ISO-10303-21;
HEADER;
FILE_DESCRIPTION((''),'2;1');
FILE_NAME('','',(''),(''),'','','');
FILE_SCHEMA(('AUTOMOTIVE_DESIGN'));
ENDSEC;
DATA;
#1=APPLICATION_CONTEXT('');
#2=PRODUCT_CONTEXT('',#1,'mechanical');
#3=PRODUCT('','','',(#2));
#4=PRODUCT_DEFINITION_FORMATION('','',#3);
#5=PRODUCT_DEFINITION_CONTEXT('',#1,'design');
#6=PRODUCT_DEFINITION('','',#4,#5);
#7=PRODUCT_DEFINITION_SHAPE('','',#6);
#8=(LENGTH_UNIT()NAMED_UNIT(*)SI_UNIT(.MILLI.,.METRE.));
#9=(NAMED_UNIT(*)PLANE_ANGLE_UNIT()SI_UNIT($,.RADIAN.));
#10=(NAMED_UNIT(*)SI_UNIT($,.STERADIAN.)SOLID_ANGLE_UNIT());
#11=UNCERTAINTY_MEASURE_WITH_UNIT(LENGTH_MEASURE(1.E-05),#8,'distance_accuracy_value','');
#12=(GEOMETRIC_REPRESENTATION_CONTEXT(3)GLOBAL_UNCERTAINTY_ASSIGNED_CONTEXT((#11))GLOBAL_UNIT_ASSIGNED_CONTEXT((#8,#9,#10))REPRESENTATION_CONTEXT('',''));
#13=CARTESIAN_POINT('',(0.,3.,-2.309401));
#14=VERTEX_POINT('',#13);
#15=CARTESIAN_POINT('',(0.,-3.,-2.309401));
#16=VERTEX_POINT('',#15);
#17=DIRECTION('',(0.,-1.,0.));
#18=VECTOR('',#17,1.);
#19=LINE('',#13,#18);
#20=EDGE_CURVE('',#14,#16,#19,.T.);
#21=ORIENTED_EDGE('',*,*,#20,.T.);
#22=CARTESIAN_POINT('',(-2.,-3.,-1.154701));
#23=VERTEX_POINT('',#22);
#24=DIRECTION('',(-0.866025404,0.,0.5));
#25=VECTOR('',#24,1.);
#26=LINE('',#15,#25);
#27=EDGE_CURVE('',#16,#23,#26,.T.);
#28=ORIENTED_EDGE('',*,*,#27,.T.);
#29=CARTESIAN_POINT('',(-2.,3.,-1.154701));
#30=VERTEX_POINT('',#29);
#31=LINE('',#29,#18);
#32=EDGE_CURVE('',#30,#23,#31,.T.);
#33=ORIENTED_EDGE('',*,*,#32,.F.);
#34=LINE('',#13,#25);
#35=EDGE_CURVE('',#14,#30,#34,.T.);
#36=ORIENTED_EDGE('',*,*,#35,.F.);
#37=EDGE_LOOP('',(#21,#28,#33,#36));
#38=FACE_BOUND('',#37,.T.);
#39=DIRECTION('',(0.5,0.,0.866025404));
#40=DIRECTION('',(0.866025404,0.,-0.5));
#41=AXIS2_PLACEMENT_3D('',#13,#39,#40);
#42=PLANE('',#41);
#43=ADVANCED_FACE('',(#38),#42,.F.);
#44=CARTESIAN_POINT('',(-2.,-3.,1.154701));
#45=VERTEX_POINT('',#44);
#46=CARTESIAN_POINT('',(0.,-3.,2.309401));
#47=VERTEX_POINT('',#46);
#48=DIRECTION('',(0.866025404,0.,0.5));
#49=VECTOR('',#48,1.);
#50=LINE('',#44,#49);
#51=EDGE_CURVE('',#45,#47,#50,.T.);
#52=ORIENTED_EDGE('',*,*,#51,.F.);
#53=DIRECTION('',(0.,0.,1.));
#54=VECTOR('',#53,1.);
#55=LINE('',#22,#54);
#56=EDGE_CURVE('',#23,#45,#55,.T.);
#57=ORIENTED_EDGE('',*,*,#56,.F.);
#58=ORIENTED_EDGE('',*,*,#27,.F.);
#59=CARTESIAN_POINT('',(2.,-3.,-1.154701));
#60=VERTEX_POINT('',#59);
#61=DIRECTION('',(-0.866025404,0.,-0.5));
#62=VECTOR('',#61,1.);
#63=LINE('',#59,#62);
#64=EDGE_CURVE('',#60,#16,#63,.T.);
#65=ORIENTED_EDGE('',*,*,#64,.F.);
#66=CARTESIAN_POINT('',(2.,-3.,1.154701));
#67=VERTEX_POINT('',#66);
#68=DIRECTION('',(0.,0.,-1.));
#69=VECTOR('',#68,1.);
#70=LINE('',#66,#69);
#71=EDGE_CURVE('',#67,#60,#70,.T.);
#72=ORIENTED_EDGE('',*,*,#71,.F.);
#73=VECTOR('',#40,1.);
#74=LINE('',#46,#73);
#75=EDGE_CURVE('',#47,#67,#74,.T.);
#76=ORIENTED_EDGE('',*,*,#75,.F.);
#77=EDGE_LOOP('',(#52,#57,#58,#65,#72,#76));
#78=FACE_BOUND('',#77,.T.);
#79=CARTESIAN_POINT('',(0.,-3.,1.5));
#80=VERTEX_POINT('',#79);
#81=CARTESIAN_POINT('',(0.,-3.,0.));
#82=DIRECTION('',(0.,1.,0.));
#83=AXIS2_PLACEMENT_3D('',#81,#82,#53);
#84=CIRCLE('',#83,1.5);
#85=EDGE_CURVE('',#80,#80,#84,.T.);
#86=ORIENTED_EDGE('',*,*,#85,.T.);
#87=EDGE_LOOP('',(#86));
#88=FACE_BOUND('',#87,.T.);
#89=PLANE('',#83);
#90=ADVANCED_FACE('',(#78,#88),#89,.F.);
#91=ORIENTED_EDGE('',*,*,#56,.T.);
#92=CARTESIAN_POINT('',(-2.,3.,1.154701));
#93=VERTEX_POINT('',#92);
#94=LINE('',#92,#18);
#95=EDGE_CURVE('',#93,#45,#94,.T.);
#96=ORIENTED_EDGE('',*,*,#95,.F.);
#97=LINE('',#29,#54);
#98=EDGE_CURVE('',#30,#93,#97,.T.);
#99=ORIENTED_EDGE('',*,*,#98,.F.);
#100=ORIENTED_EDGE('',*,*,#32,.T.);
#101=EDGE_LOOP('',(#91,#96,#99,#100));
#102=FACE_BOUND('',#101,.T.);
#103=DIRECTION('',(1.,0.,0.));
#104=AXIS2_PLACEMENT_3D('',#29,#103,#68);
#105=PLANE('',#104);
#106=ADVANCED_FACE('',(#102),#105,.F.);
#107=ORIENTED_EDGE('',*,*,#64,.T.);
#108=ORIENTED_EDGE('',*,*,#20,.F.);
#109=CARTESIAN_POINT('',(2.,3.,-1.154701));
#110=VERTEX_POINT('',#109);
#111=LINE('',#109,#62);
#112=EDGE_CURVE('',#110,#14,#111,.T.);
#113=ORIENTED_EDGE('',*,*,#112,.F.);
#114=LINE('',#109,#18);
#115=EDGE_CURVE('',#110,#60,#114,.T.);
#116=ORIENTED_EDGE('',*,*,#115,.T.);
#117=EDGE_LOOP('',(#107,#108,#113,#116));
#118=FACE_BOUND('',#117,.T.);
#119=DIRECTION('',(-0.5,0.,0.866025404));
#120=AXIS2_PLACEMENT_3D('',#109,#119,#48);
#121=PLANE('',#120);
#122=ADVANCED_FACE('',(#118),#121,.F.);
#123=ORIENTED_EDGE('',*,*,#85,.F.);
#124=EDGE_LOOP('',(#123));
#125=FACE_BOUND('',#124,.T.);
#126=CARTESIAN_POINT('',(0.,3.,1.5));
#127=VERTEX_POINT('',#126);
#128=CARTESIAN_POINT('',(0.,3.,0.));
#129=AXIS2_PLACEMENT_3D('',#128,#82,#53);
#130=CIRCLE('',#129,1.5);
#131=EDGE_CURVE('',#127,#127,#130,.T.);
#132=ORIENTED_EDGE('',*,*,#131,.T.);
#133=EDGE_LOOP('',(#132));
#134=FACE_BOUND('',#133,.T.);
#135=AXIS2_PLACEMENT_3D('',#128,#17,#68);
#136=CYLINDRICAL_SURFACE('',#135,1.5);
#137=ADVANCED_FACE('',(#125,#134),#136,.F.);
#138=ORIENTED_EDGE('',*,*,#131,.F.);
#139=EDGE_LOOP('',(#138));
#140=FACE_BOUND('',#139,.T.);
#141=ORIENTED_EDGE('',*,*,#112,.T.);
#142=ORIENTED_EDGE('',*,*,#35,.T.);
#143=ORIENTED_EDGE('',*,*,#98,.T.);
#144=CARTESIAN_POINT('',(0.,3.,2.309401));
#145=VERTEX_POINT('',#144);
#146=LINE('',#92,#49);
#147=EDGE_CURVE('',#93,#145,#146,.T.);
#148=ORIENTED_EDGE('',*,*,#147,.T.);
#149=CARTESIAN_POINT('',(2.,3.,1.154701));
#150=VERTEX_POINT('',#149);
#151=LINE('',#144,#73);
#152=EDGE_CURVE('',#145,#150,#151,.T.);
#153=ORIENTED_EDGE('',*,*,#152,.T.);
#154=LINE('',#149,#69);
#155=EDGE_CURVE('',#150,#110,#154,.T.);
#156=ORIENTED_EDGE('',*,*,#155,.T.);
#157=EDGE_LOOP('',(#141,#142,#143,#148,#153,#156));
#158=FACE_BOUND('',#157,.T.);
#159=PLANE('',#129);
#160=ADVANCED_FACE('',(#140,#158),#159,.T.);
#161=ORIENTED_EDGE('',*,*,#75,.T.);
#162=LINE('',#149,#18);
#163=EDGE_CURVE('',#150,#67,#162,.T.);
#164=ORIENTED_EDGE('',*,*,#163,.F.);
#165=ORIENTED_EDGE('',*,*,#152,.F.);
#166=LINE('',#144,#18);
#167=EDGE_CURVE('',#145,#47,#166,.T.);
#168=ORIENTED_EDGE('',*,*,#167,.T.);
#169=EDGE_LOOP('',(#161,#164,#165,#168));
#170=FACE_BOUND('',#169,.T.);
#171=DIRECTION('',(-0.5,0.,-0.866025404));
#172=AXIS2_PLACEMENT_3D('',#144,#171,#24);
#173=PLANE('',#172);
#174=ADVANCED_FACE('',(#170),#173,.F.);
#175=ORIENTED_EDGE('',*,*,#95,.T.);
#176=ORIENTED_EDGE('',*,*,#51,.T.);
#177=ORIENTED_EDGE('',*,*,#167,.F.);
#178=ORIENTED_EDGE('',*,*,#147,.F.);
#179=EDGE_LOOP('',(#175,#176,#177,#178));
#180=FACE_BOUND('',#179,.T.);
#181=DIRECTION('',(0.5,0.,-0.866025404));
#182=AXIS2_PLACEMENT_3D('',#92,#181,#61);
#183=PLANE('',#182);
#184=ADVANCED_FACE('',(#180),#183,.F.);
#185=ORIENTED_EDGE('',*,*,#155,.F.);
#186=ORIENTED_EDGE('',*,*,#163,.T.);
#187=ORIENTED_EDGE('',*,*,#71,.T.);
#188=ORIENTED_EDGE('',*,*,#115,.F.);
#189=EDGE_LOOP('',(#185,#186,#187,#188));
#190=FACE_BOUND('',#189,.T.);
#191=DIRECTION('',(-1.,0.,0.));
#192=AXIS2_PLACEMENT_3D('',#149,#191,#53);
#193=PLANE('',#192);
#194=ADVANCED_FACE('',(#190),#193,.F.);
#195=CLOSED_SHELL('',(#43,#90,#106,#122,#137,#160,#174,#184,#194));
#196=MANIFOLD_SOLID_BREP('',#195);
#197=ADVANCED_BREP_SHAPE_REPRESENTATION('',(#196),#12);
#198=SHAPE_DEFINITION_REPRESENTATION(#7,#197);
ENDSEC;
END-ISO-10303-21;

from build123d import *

# Parameters (mm, degrees)
SKETCH1_R           = 1.5
BOSS_EXTRUDE1_DEPTH = 3


with BuildPart() as part:
    # Sketch1 → Boss-Extrude1 (new body, symmetric)
    with BuildSketch(Plane(origin=(0, 0, 0), x_dir=(1, 0, 0), z_dir=(0, 1, 0))):
        Polygon((2, 1.154700538), (0, 2.309401077), (-2, 1.154700538), (-2, -1.154700538), (0, -2.309401077), (2, -1.154700538), align=None)
        Circle(SKETCH1_R, mode=Mode.SUBTRACT)
    extrude(amount=BOSS_EXTRUDE1_DEPTH, both=True)


solid = part.part
